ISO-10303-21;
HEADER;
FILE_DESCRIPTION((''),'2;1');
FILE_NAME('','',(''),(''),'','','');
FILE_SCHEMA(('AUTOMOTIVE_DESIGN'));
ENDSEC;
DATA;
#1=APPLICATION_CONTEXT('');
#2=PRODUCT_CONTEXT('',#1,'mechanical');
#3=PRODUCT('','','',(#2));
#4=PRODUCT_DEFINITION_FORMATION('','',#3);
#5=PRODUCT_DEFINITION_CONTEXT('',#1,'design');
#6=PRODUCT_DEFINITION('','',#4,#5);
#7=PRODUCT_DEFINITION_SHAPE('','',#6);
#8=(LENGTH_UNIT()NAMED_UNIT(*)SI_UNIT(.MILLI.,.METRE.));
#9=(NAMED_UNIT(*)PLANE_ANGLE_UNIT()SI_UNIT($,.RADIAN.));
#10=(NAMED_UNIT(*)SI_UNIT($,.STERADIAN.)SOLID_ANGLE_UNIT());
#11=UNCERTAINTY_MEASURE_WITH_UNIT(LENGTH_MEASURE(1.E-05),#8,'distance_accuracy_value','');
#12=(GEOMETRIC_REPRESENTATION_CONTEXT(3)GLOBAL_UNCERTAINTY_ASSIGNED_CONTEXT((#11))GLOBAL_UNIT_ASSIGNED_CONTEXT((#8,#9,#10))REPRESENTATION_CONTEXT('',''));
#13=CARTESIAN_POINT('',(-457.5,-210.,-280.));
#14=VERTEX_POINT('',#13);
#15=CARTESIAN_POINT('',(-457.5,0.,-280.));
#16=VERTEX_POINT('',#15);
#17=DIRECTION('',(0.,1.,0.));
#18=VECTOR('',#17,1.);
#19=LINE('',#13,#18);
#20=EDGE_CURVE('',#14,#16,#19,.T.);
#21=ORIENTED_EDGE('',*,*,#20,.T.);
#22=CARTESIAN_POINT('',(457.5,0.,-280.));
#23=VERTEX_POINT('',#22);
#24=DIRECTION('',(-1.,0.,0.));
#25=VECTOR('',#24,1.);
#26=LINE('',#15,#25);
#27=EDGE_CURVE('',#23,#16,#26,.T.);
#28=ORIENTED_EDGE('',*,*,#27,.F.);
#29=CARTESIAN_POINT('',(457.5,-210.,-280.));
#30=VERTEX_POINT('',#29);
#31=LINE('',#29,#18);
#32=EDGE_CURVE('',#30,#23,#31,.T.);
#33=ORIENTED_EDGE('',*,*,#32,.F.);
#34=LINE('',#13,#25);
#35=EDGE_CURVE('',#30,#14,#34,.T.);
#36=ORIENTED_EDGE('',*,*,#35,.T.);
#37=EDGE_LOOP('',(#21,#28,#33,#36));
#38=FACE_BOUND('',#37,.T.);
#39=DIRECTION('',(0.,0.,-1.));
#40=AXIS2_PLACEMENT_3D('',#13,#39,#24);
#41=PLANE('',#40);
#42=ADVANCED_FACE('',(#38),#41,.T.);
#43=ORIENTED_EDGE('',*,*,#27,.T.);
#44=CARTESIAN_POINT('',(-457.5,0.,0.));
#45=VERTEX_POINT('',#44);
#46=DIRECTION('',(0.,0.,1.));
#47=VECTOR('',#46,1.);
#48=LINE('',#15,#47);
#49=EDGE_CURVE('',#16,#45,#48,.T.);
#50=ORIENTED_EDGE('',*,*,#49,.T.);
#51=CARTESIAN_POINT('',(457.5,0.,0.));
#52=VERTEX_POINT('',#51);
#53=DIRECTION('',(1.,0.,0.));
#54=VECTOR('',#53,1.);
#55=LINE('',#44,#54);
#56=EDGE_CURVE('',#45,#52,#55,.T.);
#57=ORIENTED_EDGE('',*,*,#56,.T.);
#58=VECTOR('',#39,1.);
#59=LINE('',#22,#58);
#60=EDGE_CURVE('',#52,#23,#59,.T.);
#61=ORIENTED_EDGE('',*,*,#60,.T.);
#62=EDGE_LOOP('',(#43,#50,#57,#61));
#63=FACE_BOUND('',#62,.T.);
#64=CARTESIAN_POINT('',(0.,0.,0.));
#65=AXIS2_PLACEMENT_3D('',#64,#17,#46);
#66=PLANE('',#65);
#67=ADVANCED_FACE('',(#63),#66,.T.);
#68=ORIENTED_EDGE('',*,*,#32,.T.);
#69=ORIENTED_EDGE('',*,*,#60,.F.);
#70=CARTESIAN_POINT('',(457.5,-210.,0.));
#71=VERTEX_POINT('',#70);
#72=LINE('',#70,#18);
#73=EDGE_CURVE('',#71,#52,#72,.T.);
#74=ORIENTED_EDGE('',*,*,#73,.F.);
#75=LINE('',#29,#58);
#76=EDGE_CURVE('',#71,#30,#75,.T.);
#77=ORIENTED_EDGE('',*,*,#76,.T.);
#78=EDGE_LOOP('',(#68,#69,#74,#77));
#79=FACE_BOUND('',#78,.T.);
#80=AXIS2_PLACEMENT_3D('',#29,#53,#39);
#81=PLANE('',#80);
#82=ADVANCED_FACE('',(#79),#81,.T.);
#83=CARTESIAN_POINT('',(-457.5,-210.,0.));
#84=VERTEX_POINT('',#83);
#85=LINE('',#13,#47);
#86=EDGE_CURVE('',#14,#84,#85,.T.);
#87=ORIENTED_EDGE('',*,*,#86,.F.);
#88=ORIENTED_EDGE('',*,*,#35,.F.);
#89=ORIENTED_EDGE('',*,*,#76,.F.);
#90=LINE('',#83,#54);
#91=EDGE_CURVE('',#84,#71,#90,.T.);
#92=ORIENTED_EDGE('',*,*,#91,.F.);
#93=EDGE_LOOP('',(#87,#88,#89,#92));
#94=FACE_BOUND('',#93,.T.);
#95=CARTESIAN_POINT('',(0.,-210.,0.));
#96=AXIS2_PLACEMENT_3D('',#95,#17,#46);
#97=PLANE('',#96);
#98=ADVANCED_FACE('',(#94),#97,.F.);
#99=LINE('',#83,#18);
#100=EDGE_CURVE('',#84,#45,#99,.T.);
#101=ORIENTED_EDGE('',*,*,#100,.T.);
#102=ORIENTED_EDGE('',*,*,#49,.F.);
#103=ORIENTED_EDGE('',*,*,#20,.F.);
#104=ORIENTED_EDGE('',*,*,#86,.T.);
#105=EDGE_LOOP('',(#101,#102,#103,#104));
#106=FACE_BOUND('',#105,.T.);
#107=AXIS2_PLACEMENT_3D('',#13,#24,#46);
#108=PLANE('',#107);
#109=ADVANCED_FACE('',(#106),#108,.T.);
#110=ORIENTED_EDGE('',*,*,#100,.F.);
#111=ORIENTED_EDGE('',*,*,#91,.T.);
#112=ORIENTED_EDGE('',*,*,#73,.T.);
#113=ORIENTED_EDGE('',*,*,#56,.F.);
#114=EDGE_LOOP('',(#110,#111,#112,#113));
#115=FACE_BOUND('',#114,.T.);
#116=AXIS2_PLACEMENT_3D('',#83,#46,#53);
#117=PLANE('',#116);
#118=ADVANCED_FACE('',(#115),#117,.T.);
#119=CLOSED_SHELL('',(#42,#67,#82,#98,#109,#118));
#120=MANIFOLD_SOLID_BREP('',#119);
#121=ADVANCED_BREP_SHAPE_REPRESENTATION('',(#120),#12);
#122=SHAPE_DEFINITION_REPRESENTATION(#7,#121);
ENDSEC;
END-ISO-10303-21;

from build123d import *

# Parameters (mm, degrees)
SKETCH1_W           = 915
SKETCH1_H           = 280
BOSS_EXTRUDE1_DEPTH = 210


with BuildPart() as part:
    # Sketch1 → Boss-Extrude1 (new body)
    with BuildSketch(Plane(origin=(0, 0, 0), x_dir=(1, 0, 0), z_dir=(0, 1, 0))):
        with Locations((0, 140)):
            Rectangle(SKETCH1_W, SKETCH1_H)
    extrude(amount=-BOSS_EXTRUDE1_DEPTH)


solid = part.part
